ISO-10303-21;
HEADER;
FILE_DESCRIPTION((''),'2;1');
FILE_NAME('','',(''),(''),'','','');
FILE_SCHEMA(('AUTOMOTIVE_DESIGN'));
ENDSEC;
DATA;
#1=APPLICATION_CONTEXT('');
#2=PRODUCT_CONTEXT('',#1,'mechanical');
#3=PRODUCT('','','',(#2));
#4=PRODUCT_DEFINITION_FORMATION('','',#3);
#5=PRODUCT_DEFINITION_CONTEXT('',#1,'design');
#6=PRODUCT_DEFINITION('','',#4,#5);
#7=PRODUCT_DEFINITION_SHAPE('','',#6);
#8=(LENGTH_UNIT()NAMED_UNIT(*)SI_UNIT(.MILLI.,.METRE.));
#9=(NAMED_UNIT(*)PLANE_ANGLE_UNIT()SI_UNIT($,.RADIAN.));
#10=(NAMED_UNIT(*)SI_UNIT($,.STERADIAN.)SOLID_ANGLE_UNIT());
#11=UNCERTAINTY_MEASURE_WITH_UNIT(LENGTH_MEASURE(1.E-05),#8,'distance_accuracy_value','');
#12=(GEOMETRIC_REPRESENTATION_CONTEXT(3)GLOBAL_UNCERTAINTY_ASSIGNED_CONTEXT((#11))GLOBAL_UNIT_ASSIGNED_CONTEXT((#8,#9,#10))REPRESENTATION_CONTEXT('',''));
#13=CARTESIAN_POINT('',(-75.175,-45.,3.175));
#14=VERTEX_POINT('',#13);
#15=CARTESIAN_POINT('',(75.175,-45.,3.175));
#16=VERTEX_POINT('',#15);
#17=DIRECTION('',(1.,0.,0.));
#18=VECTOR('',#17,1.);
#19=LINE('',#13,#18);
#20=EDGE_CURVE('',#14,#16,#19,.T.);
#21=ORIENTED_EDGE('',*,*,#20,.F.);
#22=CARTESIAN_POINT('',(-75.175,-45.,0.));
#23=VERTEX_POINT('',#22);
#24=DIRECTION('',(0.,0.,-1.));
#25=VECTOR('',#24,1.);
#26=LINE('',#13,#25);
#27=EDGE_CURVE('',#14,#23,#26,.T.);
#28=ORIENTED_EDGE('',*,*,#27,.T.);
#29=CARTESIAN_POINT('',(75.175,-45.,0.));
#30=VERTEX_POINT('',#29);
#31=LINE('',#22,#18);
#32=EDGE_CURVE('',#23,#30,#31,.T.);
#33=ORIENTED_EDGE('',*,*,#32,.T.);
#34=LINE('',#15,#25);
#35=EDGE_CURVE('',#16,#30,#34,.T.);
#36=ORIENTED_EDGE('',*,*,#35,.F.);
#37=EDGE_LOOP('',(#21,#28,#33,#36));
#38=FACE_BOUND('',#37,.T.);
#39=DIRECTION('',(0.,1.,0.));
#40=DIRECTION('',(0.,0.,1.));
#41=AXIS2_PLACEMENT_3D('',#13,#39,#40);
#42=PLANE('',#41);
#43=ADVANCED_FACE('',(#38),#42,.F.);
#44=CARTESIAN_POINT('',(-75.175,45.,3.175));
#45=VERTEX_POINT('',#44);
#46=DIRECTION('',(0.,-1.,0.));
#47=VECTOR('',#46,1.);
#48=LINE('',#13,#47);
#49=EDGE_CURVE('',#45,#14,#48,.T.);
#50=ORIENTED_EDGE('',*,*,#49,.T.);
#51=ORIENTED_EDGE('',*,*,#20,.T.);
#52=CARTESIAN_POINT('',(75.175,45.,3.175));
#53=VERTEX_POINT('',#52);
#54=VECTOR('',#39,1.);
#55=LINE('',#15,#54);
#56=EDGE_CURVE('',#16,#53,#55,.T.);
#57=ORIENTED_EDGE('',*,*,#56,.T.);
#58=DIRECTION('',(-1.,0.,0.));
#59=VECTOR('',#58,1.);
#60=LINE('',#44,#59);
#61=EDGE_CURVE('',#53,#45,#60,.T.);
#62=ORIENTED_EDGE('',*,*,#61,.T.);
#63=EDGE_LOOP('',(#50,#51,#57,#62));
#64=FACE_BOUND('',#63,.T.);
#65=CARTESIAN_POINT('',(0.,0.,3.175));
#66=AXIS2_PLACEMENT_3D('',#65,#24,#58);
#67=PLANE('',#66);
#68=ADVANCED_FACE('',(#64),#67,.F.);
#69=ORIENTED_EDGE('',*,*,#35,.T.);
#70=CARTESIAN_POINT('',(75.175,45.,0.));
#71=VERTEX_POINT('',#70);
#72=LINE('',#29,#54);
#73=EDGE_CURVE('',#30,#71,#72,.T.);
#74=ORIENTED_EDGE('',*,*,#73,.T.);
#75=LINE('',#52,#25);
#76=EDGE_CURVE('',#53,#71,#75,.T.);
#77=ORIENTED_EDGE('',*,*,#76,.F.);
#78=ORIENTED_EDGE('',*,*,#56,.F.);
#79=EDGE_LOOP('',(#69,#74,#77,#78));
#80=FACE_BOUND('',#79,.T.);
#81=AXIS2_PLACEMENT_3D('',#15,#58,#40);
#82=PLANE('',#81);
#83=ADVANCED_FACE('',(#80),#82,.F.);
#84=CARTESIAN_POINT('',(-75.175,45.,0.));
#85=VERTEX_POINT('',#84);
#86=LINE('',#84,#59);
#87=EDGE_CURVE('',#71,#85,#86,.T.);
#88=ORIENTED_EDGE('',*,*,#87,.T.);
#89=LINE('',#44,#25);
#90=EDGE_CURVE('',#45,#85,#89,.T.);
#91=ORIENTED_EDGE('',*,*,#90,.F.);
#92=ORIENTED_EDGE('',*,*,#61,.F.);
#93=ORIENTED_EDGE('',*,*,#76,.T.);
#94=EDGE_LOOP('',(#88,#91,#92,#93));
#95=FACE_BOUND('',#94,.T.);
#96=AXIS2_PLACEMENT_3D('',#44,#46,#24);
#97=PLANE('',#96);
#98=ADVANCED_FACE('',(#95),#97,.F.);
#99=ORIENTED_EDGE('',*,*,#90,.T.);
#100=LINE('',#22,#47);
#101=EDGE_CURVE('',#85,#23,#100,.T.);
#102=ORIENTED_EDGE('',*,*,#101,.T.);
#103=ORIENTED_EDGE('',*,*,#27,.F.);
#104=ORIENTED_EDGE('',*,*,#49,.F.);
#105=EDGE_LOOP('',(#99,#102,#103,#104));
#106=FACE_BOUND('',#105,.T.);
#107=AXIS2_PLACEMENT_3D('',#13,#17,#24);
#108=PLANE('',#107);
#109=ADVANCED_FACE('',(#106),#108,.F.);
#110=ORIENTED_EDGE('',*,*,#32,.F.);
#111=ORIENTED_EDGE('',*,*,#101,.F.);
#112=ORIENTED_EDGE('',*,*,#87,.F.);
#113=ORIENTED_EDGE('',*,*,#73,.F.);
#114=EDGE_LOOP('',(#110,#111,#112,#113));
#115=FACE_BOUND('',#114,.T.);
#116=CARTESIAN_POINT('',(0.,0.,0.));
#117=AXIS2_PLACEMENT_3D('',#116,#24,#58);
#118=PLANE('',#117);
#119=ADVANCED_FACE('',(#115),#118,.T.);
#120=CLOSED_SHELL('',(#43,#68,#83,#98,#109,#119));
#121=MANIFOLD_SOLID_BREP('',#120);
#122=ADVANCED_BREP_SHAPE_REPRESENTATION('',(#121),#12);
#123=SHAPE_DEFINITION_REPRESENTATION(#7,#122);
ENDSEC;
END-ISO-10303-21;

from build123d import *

# Parameters (mm, degrees)
ESBO_O1_W                = 150.35
ESBO_O1_H                = 90
RESSALTO_EXTRUS_O1_DEPTH = 3.175


with BuildPart() as part:
    # Esboço1 → Ressalto-extrusão1 (new body)
    with BuildSketch(Plane.XY):
        Rectangle(ESBO_O1_W, ESBO_O1_H)
    extrude(amount=RESSALTO_EXTRUS_O1_DEPTH)


solid = part.part
